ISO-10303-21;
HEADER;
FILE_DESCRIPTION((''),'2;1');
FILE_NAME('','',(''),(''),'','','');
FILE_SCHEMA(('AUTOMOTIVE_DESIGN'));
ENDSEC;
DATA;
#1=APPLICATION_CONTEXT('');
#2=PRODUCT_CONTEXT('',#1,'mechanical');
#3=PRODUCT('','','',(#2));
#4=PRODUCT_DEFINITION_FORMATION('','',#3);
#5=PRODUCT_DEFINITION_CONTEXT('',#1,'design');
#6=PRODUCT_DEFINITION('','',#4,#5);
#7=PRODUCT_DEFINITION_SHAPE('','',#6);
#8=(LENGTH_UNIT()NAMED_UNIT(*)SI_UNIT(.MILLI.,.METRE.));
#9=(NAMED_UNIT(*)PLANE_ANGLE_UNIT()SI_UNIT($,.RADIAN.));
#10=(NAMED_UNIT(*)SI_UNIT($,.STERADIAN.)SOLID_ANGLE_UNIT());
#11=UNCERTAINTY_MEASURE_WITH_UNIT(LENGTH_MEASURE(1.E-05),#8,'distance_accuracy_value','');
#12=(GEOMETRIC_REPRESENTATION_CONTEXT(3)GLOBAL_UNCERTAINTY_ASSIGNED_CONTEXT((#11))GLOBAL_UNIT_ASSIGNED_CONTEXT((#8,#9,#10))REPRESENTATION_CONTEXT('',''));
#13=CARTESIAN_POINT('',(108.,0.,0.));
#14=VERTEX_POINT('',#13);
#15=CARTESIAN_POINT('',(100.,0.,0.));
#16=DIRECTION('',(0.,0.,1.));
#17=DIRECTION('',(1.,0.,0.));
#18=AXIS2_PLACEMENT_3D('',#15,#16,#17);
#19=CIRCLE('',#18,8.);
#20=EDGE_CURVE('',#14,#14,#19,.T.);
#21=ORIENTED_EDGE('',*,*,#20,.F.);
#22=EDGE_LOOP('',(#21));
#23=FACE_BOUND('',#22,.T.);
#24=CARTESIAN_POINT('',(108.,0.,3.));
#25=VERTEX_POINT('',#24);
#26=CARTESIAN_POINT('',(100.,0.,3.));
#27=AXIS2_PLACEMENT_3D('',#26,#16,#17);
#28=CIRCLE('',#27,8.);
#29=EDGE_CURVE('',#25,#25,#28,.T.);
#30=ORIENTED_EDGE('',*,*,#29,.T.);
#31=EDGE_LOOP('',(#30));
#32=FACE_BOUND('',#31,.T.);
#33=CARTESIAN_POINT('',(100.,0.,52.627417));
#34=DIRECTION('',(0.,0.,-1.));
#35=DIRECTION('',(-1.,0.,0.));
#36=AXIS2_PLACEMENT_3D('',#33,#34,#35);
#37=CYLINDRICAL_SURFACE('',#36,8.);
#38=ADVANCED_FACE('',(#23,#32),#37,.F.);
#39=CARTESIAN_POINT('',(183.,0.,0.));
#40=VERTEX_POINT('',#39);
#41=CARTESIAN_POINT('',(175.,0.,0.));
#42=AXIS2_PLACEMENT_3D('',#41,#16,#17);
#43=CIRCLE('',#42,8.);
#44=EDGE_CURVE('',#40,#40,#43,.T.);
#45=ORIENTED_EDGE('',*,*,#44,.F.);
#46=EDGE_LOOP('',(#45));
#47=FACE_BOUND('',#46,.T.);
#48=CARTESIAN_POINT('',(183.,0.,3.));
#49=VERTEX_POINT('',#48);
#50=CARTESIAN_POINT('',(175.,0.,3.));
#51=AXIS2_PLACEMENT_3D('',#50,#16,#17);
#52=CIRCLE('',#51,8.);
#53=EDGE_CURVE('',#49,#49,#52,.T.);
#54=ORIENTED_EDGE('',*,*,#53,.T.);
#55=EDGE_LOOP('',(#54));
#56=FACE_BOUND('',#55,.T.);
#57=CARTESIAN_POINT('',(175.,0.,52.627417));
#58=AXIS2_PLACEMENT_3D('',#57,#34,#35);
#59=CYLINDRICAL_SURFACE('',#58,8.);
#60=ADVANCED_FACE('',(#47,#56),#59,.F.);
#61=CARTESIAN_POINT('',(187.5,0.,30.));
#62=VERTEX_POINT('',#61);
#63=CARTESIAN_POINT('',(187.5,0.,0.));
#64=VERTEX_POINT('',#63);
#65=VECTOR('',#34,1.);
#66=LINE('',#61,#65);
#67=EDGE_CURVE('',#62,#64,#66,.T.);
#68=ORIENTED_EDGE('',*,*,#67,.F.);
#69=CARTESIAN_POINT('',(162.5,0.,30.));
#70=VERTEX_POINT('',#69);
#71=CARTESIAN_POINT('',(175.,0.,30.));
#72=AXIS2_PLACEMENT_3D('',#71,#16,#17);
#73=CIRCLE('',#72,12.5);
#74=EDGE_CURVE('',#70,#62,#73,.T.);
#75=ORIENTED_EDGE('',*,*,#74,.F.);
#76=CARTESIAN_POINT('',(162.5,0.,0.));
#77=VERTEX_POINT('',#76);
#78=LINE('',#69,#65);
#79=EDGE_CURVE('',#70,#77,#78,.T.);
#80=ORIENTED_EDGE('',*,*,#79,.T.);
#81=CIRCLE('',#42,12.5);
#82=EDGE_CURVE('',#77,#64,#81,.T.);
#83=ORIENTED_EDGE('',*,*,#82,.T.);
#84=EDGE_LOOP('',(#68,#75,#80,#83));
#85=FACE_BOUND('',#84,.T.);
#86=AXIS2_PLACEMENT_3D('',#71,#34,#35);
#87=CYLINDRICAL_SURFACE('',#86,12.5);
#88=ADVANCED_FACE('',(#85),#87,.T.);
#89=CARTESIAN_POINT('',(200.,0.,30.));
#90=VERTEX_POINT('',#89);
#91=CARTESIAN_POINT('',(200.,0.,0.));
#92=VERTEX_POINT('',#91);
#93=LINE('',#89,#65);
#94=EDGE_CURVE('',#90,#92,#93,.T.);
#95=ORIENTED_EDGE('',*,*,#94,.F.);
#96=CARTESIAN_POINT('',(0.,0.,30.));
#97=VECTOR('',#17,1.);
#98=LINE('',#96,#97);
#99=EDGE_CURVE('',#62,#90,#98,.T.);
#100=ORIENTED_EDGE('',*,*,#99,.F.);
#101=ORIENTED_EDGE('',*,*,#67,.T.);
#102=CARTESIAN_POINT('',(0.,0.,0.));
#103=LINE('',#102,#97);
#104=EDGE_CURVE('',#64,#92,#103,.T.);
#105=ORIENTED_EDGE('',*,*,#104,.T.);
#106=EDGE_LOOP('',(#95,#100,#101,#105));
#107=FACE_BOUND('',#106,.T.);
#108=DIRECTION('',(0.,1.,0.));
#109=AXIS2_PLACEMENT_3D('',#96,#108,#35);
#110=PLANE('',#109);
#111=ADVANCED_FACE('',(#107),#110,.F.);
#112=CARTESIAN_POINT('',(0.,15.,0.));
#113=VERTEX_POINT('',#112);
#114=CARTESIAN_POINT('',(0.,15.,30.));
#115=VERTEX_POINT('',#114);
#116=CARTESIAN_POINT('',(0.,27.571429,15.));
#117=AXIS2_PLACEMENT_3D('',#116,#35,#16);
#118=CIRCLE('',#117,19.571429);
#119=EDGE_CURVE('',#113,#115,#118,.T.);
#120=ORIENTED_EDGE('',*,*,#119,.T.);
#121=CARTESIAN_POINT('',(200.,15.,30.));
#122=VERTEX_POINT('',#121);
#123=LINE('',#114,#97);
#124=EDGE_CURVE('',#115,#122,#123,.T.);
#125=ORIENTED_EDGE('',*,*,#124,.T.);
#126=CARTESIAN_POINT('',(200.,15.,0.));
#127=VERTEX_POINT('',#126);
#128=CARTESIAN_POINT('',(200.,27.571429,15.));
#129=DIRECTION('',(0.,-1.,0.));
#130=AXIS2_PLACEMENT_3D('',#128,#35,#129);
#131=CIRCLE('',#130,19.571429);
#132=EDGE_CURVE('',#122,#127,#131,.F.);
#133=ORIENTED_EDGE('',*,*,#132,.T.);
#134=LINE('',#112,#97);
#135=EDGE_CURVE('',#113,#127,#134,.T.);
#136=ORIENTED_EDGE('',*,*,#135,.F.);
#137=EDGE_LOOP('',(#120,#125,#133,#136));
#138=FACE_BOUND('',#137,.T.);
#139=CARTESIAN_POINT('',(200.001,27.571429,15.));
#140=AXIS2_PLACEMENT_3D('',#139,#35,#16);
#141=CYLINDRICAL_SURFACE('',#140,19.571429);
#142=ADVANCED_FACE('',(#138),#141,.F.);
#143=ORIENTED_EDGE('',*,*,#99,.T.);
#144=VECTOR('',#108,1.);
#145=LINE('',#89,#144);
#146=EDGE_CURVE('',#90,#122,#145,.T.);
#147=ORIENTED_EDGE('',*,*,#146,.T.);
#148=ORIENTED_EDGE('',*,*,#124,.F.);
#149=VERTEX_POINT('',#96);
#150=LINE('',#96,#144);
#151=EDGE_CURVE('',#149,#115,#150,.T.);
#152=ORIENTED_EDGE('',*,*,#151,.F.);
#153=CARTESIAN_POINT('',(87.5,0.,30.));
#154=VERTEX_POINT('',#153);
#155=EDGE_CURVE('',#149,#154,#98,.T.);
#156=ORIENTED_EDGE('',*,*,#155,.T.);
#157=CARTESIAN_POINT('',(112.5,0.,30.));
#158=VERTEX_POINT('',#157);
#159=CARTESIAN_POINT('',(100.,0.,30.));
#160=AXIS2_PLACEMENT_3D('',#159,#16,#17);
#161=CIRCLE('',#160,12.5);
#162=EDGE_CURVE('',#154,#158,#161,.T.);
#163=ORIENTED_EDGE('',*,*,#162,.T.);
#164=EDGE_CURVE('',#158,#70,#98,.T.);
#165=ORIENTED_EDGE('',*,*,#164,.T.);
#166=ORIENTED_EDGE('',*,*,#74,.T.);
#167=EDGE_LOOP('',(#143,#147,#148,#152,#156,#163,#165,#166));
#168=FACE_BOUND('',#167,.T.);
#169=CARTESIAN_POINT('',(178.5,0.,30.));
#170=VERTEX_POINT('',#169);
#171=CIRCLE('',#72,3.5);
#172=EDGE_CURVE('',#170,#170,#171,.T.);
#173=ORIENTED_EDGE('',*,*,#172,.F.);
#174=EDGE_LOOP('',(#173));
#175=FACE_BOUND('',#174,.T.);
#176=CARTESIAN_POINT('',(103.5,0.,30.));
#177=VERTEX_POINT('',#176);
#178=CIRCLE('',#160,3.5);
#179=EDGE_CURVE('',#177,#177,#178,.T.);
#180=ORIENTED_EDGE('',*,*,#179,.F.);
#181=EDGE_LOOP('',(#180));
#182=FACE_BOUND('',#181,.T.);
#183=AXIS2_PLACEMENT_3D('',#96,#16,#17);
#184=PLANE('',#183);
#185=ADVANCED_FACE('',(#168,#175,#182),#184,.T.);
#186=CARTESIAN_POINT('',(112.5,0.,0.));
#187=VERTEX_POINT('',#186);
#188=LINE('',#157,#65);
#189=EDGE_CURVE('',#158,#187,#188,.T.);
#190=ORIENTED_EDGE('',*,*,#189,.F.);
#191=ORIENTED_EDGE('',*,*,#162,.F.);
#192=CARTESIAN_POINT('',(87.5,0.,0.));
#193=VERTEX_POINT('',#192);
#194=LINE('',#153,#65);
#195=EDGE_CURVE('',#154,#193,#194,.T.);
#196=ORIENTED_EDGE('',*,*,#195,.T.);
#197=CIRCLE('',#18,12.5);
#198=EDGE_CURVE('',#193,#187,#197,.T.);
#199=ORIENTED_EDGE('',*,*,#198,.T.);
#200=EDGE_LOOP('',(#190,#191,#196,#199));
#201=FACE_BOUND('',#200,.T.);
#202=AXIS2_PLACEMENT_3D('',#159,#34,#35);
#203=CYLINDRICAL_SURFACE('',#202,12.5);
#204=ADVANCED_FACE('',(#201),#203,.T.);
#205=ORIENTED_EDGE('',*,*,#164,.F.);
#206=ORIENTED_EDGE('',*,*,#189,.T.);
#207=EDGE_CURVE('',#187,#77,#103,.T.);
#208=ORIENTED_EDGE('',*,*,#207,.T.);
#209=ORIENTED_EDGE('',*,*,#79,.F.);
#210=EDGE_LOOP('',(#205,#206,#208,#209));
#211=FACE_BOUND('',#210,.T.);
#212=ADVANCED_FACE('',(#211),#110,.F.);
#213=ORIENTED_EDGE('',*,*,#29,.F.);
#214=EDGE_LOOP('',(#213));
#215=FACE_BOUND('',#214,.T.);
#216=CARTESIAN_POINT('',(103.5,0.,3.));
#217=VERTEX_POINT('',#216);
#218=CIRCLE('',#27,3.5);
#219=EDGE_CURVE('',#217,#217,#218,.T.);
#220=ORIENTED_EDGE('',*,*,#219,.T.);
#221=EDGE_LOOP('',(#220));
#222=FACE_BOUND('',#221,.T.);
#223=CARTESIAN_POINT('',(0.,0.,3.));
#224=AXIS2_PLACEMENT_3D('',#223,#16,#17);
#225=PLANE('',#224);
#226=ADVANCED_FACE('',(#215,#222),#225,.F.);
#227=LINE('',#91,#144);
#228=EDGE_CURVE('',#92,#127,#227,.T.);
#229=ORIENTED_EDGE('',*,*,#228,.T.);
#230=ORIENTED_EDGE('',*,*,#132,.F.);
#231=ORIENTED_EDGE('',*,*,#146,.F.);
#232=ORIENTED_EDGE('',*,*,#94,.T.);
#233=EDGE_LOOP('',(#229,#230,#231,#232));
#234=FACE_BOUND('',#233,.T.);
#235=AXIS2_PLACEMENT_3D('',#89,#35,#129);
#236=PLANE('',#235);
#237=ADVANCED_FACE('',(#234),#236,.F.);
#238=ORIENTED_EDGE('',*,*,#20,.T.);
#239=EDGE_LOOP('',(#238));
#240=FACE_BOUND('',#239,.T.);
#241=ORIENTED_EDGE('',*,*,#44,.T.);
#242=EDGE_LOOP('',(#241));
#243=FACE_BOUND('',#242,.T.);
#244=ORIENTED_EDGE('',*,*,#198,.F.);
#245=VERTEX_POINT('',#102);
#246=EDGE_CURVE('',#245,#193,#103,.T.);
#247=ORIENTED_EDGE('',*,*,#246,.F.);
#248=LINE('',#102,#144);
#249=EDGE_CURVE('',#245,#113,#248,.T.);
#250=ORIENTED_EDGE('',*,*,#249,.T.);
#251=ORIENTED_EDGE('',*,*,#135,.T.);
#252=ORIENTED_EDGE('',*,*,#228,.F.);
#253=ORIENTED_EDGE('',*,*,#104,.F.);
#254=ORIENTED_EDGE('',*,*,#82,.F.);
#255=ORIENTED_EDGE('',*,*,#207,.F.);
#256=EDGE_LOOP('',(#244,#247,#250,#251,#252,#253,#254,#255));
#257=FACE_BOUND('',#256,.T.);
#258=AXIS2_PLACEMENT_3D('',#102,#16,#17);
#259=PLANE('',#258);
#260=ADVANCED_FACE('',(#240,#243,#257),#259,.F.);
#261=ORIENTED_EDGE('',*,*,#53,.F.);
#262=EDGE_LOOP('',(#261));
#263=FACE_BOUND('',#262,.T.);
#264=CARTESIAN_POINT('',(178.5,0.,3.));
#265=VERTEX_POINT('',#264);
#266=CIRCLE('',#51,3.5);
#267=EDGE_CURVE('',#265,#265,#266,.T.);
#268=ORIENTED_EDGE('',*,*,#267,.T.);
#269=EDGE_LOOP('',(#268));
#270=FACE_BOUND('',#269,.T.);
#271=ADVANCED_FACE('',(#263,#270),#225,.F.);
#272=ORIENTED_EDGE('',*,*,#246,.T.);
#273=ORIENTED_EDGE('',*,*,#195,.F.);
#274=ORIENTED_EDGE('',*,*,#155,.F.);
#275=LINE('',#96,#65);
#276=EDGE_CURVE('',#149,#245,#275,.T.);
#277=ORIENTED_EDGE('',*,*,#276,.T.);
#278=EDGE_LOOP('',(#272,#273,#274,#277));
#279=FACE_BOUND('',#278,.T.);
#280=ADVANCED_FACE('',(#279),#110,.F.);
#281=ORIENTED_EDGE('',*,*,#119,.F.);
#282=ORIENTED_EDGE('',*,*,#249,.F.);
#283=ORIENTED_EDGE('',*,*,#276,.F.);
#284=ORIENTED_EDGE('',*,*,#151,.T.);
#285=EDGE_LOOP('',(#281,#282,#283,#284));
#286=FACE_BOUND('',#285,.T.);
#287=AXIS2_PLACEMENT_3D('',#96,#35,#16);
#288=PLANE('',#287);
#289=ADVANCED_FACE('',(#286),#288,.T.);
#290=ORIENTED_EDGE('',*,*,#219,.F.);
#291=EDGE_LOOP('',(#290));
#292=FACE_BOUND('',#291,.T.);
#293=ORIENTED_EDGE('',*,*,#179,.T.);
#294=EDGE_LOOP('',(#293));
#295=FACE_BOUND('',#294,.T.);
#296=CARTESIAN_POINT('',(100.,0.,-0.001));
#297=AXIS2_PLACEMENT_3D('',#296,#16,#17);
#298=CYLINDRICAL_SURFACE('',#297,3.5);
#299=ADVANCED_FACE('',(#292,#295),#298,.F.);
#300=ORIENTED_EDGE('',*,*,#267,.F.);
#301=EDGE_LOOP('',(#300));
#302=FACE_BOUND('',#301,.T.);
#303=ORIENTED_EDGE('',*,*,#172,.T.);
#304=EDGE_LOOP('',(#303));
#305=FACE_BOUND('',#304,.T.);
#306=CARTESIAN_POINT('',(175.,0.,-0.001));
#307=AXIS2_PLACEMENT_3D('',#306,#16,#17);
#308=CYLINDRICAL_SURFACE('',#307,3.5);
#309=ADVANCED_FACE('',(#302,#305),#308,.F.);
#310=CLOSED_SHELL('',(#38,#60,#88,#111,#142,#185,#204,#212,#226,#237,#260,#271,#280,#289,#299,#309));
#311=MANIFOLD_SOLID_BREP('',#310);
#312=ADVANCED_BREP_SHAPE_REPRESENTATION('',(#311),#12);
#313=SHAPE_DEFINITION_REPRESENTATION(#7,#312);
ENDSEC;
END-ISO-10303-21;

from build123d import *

# Parameters (mm, degrees)
SKETCH1_R           = 12.5
SKETCH1_W           = 200
SKETCH1_H           = 15
BOSS_EXTRUDE1_DEPTH = 30
CUT_EXTRUDE2_REACH  = 204.793
SKETCH2_R           = 3.5
CUT_EXTRUDE3_START  = -27
SKETCH2_3_R         = 8
SKETCH2_3_R_2       = 3.5
CUT_EXTRUDE3_DEPTH  = 3
CUT_EXTRUDE4_REACH  = 204.793


with BuildPart() as part:
    # Sketch1 → Boss-Extrude1 (new body)
    with BuildSketch(Plane.XY):
        with Locations((175, 0)):
            Circle(SKETCH1_R)
        with Locations((100, 0)):
            Circle(SKETCH1_R)
        with Locations((100, 7.5)):
            Rectangle(SKETCH1_W, SKETCH1_H)
        with BuildLine():
            ThreePointArc((187.5, 0), (175, 12.5), (162.5, 0))
            Line((162.5, 0), (175, 0))
            Line((175, 0), (187.5, 0))
        make_face()
        with BuildLine():
            Line((175, 0), (162.5, 0))
            ThreePointArc((162.5, 0), (175, -12.5), (187.5, 0))
            Line((187.5, 0), (175, 0))
        make_face()
        with BuildLine():
            ThreePointArc((187.5, 0), (175, 12.5), (162.5, 0))
            Line((162.5, 0), (175, 0))
            Line((175, 0), (187.5, 0))
        make_face()
        with BuildLine():
            Line((175, 0), (162.5, 0))
            ThreePointArc((162.5, 0), (175, -12.5), (187.5, 0))
            Line((187.5, 0), (175, 0))
        make_face()
        with BuildLine():
            ThreePointArc((112.5, 0), (100, 12.5), (87.5, 0))
            Line((87.5, 0), (100, 0))
            Line((100, 0), (112.5, 0))
        make_face()
        with BuildLine():
            Line((100, 0), (87.5, 0))
            ThreePointArc((87.5, 0), (100, -12.5), (112.5, 0))
            Line((112.5, 0), (100, 0))
        make_face()
        with BuildLine():
            ThreePointArc((112.5, 0), (100, 12.5), (87.5, 0))
            Line((87.5, 0), (100, 0))
            Line((100, 0), (112.5, 0))
        make_face()
        with BuildLine():
            Line((100, 0), (87.5, 0))
            ThreePointArc((87.5, 0), (100, -12.5), (112.5, 0))
            Line((112.5, 0), (100, 0))
        make_face()
    extrude(amount=BOSS_EXTRUDE1_DEPTH)

    # Sketch2 → Cut-Extrude2 (cut, up to next)
    with BuildSketch(Plane.XY.offset(30), mode=Mode.PRIVATE) as cut_extrude2_sk1:
        with Locations((100, 0)):
            Circle(SKETCH2_R)
    cut_extrude2_tool1 = extrude(cut_extrude2_sk1.sketch, amount=-CUT_EXTRUDE2_REACH, mode=Mode.PRIVATE) & part.part
    # Sketch2 → Cut-Extrude2 (cut, up to next)
    with BuildSketch(Plane.XY.offset(30), mode=Mode.PRIVATE) as cut_extrude2_sk2:
        with Locations((175, 0)):
            Circle(SKETCH2_R)
    cut_extrude2_tool2 = extrude(cut_extrude2_sk2.sketch, amount=-CUT_EXTRUDE2_REACH, mode=Mode.PRIVATE) & part.part
    add(cut_extrude2_tool1.solids().sort_by_distance((100, 0, 30))[0], mode=Mode.SUBTRACT)
    add(cut_extrude2_tool2.solids().sort_by_distance((175, 0, 30))[0], mode=Mode.SUBTRACT)

    # Sketch2<3> → Cut-Extrude3 (cut)
    # profile 1 of 2: a face of its own
    with BuildSketch(Plane.XY.offset(30).offset(CUT_EXTRUDE3_START)):
        with Locations((100, 0)):
            Circle(SKETCH2_3_R)
        with Locations((100, 0)):
            Circle(SKETCH2_3_R_2, mode=Mode.SUBTRACT)
    # profile 2 of 2: a face of its own
    with BuildSketch(Plane.XY.offset(30).offset(CUT_EXTRUDE3_START)):
        with Locations((175, 0)):
            Circle(SKETCH2_3_R)
        with Locations((175, 0)):
            Circle(SKETCH2_3_R_2, mode=Mode.SUBTRACT)
    extrude(amount=-CUT_EXTRUDE3_DEPTH, mode=Mode.SUBTRACT)

    # Sketch3 → Cut-Extrude4 (cut, up to next)
    with BuildSketch(Plane.ZY, mode=Mode.PRIVATE) as cut_extrude4_sk1:
        with BuildLine():
            Line((0, 15), (30, 15))
            ThreePointArc((30, 15), (15, 8), (0, 15))
        make_face()
    cut_extrude4_tool1 = extrude(cut_extrude4_sk1.sketch, amount=-CUT_EXTRUDE4_REACH, mode=Mode.PRIVATE) & part.part
    add(cut_extrude4_tool1.solids().sort_by_distance((0, 12.152086, 15))[0], mode=Mode.SUBTRACT)


solid = part.part
